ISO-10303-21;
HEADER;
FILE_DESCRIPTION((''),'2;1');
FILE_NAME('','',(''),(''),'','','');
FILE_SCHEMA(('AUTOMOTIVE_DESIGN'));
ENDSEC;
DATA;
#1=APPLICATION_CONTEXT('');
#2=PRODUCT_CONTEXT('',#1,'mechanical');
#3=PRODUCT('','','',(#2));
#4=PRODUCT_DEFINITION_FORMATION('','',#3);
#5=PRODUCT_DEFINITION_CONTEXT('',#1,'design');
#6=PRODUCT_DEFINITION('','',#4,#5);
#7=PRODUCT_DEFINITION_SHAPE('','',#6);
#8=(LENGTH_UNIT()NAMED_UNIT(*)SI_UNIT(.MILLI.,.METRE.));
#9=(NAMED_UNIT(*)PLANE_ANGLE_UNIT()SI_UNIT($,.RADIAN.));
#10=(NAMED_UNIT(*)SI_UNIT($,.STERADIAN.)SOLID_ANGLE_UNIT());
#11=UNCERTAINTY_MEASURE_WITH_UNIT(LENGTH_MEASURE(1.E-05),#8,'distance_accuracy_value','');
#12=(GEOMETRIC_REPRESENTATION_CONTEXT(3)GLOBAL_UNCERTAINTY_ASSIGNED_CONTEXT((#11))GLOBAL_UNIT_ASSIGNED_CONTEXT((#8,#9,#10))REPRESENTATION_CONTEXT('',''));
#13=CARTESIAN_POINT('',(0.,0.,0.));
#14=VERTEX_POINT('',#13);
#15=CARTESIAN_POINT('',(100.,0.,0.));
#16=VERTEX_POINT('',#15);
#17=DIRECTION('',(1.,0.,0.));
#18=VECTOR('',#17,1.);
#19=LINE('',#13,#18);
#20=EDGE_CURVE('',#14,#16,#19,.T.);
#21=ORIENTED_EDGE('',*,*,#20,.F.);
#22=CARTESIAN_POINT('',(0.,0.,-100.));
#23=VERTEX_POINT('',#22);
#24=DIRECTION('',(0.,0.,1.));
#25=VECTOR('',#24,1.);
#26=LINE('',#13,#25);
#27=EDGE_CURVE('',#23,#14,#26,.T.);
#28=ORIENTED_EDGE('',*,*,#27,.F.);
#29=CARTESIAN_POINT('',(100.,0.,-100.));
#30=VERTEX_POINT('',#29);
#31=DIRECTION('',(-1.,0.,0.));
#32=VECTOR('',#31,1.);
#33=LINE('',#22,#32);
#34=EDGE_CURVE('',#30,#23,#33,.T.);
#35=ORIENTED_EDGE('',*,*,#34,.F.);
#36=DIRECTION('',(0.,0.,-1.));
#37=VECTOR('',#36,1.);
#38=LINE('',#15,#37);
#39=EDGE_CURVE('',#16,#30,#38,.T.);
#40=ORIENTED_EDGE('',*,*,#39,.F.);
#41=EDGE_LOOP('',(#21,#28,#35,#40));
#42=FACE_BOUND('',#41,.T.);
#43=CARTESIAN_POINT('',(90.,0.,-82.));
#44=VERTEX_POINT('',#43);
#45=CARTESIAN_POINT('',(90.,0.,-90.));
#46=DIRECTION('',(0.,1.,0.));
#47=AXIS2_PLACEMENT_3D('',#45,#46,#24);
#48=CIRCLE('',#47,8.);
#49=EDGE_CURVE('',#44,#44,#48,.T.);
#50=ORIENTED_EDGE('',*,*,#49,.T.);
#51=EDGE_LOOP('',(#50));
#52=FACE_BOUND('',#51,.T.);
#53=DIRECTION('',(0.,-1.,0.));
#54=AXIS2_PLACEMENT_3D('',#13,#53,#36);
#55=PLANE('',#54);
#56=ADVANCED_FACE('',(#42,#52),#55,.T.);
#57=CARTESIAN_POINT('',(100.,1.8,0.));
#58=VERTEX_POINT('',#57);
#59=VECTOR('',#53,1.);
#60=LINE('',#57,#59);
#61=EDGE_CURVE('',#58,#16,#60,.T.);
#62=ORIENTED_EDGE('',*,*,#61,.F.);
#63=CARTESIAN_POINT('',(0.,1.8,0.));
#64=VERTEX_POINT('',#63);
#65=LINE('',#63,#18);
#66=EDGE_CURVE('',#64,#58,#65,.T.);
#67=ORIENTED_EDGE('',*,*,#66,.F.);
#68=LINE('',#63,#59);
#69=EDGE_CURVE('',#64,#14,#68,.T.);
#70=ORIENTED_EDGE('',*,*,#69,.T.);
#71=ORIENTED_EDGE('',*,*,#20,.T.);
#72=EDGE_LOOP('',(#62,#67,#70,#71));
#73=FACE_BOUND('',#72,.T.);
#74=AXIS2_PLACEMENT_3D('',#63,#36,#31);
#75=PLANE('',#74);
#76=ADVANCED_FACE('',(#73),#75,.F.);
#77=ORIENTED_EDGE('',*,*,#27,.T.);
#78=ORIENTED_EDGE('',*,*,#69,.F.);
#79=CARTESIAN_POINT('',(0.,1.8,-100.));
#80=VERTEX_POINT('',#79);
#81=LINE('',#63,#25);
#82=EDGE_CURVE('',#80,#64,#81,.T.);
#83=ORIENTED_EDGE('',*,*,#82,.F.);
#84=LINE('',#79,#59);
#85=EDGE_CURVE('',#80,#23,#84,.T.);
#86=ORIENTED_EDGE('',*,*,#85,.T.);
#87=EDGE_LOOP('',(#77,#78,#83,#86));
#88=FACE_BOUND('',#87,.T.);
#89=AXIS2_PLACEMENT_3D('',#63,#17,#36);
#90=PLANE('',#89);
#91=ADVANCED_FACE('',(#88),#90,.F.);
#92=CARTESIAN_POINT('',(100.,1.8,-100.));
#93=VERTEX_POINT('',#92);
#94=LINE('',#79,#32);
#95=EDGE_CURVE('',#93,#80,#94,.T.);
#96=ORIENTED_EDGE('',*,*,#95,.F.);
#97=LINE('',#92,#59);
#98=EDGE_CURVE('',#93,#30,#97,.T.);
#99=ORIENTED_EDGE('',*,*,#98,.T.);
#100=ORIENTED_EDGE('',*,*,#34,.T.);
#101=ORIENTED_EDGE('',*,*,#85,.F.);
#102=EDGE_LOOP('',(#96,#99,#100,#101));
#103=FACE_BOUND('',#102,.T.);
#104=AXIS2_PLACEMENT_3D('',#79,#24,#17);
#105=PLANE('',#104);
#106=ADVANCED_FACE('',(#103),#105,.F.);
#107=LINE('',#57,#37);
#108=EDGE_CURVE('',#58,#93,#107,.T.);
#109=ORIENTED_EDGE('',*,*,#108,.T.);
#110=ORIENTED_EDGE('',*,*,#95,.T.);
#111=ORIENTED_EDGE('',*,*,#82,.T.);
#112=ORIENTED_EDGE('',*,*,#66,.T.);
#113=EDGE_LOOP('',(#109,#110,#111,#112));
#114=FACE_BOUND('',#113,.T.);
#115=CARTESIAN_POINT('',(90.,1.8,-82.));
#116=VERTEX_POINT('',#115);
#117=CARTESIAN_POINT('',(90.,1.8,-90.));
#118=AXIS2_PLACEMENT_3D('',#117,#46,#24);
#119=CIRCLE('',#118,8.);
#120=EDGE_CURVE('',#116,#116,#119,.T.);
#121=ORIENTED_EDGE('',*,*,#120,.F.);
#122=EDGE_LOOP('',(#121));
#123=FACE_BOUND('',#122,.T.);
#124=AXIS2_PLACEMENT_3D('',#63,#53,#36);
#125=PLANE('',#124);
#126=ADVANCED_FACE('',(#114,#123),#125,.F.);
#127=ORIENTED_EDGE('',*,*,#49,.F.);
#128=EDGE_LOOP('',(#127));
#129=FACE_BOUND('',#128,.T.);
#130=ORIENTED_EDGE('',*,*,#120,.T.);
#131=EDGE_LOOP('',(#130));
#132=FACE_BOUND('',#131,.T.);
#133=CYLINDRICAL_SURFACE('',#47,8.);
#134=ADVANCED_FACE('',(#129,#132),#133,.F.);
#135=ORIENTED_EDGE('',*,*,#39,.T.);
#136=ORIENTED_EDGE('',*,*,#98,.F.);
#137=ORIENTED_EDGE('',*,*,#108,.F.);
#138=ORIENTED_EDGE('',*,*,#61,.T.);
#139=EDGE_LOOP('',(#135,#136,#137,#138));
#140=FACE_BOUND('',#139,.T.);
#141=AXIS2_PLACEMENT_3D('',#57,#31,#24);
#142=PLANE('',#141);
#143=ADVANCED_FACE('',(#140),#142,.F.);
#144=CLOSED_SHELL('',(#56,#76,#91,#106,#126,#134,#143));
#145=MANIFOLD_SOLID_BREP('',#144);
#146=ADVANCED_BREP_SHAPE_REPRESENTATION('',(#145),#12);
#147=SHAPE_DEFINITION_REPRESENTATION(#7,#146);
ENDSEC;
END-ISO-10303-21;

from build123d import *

# Parameters (mm, degrees)
SKETCH_1_W          = 100
SKETCH_1_H          = 100
EXTRUDE_1_DEPTH     = 1.8
SKETCH_2_R          = 8
CUT_EXTRUDE_1_DEPTH = 2.8


with BuildPart() as part:
    # 草图1 → 凸台-拉伸1 (new body)
    with BuildSketch(Plane(origin=(0, 0, 0), x_dir=(1, 0, 0), z_dir=(0, 1, 0))):
        with Locations((50, 50)):
            Rectangle(SKETCH_1_W, SKETCH_1_H)
    extrude(amount=EXTRUDE_1_DEPTH)

    # 草图2 → 切除-拉伸1 (cut, through all)
    with BuildSketch(Plane(origin=(0, 1.8, 0), x_dir=(1, 0, 0), z_dir=(0, 1, 0))):
        with Locations((90, 90)):
            Circle(SKETCH_2_R)
    extrude(amount=-CUT_EXTRUDE_1_DEPTH, mode=Mode.SUBTRACT)


solid = part.part
